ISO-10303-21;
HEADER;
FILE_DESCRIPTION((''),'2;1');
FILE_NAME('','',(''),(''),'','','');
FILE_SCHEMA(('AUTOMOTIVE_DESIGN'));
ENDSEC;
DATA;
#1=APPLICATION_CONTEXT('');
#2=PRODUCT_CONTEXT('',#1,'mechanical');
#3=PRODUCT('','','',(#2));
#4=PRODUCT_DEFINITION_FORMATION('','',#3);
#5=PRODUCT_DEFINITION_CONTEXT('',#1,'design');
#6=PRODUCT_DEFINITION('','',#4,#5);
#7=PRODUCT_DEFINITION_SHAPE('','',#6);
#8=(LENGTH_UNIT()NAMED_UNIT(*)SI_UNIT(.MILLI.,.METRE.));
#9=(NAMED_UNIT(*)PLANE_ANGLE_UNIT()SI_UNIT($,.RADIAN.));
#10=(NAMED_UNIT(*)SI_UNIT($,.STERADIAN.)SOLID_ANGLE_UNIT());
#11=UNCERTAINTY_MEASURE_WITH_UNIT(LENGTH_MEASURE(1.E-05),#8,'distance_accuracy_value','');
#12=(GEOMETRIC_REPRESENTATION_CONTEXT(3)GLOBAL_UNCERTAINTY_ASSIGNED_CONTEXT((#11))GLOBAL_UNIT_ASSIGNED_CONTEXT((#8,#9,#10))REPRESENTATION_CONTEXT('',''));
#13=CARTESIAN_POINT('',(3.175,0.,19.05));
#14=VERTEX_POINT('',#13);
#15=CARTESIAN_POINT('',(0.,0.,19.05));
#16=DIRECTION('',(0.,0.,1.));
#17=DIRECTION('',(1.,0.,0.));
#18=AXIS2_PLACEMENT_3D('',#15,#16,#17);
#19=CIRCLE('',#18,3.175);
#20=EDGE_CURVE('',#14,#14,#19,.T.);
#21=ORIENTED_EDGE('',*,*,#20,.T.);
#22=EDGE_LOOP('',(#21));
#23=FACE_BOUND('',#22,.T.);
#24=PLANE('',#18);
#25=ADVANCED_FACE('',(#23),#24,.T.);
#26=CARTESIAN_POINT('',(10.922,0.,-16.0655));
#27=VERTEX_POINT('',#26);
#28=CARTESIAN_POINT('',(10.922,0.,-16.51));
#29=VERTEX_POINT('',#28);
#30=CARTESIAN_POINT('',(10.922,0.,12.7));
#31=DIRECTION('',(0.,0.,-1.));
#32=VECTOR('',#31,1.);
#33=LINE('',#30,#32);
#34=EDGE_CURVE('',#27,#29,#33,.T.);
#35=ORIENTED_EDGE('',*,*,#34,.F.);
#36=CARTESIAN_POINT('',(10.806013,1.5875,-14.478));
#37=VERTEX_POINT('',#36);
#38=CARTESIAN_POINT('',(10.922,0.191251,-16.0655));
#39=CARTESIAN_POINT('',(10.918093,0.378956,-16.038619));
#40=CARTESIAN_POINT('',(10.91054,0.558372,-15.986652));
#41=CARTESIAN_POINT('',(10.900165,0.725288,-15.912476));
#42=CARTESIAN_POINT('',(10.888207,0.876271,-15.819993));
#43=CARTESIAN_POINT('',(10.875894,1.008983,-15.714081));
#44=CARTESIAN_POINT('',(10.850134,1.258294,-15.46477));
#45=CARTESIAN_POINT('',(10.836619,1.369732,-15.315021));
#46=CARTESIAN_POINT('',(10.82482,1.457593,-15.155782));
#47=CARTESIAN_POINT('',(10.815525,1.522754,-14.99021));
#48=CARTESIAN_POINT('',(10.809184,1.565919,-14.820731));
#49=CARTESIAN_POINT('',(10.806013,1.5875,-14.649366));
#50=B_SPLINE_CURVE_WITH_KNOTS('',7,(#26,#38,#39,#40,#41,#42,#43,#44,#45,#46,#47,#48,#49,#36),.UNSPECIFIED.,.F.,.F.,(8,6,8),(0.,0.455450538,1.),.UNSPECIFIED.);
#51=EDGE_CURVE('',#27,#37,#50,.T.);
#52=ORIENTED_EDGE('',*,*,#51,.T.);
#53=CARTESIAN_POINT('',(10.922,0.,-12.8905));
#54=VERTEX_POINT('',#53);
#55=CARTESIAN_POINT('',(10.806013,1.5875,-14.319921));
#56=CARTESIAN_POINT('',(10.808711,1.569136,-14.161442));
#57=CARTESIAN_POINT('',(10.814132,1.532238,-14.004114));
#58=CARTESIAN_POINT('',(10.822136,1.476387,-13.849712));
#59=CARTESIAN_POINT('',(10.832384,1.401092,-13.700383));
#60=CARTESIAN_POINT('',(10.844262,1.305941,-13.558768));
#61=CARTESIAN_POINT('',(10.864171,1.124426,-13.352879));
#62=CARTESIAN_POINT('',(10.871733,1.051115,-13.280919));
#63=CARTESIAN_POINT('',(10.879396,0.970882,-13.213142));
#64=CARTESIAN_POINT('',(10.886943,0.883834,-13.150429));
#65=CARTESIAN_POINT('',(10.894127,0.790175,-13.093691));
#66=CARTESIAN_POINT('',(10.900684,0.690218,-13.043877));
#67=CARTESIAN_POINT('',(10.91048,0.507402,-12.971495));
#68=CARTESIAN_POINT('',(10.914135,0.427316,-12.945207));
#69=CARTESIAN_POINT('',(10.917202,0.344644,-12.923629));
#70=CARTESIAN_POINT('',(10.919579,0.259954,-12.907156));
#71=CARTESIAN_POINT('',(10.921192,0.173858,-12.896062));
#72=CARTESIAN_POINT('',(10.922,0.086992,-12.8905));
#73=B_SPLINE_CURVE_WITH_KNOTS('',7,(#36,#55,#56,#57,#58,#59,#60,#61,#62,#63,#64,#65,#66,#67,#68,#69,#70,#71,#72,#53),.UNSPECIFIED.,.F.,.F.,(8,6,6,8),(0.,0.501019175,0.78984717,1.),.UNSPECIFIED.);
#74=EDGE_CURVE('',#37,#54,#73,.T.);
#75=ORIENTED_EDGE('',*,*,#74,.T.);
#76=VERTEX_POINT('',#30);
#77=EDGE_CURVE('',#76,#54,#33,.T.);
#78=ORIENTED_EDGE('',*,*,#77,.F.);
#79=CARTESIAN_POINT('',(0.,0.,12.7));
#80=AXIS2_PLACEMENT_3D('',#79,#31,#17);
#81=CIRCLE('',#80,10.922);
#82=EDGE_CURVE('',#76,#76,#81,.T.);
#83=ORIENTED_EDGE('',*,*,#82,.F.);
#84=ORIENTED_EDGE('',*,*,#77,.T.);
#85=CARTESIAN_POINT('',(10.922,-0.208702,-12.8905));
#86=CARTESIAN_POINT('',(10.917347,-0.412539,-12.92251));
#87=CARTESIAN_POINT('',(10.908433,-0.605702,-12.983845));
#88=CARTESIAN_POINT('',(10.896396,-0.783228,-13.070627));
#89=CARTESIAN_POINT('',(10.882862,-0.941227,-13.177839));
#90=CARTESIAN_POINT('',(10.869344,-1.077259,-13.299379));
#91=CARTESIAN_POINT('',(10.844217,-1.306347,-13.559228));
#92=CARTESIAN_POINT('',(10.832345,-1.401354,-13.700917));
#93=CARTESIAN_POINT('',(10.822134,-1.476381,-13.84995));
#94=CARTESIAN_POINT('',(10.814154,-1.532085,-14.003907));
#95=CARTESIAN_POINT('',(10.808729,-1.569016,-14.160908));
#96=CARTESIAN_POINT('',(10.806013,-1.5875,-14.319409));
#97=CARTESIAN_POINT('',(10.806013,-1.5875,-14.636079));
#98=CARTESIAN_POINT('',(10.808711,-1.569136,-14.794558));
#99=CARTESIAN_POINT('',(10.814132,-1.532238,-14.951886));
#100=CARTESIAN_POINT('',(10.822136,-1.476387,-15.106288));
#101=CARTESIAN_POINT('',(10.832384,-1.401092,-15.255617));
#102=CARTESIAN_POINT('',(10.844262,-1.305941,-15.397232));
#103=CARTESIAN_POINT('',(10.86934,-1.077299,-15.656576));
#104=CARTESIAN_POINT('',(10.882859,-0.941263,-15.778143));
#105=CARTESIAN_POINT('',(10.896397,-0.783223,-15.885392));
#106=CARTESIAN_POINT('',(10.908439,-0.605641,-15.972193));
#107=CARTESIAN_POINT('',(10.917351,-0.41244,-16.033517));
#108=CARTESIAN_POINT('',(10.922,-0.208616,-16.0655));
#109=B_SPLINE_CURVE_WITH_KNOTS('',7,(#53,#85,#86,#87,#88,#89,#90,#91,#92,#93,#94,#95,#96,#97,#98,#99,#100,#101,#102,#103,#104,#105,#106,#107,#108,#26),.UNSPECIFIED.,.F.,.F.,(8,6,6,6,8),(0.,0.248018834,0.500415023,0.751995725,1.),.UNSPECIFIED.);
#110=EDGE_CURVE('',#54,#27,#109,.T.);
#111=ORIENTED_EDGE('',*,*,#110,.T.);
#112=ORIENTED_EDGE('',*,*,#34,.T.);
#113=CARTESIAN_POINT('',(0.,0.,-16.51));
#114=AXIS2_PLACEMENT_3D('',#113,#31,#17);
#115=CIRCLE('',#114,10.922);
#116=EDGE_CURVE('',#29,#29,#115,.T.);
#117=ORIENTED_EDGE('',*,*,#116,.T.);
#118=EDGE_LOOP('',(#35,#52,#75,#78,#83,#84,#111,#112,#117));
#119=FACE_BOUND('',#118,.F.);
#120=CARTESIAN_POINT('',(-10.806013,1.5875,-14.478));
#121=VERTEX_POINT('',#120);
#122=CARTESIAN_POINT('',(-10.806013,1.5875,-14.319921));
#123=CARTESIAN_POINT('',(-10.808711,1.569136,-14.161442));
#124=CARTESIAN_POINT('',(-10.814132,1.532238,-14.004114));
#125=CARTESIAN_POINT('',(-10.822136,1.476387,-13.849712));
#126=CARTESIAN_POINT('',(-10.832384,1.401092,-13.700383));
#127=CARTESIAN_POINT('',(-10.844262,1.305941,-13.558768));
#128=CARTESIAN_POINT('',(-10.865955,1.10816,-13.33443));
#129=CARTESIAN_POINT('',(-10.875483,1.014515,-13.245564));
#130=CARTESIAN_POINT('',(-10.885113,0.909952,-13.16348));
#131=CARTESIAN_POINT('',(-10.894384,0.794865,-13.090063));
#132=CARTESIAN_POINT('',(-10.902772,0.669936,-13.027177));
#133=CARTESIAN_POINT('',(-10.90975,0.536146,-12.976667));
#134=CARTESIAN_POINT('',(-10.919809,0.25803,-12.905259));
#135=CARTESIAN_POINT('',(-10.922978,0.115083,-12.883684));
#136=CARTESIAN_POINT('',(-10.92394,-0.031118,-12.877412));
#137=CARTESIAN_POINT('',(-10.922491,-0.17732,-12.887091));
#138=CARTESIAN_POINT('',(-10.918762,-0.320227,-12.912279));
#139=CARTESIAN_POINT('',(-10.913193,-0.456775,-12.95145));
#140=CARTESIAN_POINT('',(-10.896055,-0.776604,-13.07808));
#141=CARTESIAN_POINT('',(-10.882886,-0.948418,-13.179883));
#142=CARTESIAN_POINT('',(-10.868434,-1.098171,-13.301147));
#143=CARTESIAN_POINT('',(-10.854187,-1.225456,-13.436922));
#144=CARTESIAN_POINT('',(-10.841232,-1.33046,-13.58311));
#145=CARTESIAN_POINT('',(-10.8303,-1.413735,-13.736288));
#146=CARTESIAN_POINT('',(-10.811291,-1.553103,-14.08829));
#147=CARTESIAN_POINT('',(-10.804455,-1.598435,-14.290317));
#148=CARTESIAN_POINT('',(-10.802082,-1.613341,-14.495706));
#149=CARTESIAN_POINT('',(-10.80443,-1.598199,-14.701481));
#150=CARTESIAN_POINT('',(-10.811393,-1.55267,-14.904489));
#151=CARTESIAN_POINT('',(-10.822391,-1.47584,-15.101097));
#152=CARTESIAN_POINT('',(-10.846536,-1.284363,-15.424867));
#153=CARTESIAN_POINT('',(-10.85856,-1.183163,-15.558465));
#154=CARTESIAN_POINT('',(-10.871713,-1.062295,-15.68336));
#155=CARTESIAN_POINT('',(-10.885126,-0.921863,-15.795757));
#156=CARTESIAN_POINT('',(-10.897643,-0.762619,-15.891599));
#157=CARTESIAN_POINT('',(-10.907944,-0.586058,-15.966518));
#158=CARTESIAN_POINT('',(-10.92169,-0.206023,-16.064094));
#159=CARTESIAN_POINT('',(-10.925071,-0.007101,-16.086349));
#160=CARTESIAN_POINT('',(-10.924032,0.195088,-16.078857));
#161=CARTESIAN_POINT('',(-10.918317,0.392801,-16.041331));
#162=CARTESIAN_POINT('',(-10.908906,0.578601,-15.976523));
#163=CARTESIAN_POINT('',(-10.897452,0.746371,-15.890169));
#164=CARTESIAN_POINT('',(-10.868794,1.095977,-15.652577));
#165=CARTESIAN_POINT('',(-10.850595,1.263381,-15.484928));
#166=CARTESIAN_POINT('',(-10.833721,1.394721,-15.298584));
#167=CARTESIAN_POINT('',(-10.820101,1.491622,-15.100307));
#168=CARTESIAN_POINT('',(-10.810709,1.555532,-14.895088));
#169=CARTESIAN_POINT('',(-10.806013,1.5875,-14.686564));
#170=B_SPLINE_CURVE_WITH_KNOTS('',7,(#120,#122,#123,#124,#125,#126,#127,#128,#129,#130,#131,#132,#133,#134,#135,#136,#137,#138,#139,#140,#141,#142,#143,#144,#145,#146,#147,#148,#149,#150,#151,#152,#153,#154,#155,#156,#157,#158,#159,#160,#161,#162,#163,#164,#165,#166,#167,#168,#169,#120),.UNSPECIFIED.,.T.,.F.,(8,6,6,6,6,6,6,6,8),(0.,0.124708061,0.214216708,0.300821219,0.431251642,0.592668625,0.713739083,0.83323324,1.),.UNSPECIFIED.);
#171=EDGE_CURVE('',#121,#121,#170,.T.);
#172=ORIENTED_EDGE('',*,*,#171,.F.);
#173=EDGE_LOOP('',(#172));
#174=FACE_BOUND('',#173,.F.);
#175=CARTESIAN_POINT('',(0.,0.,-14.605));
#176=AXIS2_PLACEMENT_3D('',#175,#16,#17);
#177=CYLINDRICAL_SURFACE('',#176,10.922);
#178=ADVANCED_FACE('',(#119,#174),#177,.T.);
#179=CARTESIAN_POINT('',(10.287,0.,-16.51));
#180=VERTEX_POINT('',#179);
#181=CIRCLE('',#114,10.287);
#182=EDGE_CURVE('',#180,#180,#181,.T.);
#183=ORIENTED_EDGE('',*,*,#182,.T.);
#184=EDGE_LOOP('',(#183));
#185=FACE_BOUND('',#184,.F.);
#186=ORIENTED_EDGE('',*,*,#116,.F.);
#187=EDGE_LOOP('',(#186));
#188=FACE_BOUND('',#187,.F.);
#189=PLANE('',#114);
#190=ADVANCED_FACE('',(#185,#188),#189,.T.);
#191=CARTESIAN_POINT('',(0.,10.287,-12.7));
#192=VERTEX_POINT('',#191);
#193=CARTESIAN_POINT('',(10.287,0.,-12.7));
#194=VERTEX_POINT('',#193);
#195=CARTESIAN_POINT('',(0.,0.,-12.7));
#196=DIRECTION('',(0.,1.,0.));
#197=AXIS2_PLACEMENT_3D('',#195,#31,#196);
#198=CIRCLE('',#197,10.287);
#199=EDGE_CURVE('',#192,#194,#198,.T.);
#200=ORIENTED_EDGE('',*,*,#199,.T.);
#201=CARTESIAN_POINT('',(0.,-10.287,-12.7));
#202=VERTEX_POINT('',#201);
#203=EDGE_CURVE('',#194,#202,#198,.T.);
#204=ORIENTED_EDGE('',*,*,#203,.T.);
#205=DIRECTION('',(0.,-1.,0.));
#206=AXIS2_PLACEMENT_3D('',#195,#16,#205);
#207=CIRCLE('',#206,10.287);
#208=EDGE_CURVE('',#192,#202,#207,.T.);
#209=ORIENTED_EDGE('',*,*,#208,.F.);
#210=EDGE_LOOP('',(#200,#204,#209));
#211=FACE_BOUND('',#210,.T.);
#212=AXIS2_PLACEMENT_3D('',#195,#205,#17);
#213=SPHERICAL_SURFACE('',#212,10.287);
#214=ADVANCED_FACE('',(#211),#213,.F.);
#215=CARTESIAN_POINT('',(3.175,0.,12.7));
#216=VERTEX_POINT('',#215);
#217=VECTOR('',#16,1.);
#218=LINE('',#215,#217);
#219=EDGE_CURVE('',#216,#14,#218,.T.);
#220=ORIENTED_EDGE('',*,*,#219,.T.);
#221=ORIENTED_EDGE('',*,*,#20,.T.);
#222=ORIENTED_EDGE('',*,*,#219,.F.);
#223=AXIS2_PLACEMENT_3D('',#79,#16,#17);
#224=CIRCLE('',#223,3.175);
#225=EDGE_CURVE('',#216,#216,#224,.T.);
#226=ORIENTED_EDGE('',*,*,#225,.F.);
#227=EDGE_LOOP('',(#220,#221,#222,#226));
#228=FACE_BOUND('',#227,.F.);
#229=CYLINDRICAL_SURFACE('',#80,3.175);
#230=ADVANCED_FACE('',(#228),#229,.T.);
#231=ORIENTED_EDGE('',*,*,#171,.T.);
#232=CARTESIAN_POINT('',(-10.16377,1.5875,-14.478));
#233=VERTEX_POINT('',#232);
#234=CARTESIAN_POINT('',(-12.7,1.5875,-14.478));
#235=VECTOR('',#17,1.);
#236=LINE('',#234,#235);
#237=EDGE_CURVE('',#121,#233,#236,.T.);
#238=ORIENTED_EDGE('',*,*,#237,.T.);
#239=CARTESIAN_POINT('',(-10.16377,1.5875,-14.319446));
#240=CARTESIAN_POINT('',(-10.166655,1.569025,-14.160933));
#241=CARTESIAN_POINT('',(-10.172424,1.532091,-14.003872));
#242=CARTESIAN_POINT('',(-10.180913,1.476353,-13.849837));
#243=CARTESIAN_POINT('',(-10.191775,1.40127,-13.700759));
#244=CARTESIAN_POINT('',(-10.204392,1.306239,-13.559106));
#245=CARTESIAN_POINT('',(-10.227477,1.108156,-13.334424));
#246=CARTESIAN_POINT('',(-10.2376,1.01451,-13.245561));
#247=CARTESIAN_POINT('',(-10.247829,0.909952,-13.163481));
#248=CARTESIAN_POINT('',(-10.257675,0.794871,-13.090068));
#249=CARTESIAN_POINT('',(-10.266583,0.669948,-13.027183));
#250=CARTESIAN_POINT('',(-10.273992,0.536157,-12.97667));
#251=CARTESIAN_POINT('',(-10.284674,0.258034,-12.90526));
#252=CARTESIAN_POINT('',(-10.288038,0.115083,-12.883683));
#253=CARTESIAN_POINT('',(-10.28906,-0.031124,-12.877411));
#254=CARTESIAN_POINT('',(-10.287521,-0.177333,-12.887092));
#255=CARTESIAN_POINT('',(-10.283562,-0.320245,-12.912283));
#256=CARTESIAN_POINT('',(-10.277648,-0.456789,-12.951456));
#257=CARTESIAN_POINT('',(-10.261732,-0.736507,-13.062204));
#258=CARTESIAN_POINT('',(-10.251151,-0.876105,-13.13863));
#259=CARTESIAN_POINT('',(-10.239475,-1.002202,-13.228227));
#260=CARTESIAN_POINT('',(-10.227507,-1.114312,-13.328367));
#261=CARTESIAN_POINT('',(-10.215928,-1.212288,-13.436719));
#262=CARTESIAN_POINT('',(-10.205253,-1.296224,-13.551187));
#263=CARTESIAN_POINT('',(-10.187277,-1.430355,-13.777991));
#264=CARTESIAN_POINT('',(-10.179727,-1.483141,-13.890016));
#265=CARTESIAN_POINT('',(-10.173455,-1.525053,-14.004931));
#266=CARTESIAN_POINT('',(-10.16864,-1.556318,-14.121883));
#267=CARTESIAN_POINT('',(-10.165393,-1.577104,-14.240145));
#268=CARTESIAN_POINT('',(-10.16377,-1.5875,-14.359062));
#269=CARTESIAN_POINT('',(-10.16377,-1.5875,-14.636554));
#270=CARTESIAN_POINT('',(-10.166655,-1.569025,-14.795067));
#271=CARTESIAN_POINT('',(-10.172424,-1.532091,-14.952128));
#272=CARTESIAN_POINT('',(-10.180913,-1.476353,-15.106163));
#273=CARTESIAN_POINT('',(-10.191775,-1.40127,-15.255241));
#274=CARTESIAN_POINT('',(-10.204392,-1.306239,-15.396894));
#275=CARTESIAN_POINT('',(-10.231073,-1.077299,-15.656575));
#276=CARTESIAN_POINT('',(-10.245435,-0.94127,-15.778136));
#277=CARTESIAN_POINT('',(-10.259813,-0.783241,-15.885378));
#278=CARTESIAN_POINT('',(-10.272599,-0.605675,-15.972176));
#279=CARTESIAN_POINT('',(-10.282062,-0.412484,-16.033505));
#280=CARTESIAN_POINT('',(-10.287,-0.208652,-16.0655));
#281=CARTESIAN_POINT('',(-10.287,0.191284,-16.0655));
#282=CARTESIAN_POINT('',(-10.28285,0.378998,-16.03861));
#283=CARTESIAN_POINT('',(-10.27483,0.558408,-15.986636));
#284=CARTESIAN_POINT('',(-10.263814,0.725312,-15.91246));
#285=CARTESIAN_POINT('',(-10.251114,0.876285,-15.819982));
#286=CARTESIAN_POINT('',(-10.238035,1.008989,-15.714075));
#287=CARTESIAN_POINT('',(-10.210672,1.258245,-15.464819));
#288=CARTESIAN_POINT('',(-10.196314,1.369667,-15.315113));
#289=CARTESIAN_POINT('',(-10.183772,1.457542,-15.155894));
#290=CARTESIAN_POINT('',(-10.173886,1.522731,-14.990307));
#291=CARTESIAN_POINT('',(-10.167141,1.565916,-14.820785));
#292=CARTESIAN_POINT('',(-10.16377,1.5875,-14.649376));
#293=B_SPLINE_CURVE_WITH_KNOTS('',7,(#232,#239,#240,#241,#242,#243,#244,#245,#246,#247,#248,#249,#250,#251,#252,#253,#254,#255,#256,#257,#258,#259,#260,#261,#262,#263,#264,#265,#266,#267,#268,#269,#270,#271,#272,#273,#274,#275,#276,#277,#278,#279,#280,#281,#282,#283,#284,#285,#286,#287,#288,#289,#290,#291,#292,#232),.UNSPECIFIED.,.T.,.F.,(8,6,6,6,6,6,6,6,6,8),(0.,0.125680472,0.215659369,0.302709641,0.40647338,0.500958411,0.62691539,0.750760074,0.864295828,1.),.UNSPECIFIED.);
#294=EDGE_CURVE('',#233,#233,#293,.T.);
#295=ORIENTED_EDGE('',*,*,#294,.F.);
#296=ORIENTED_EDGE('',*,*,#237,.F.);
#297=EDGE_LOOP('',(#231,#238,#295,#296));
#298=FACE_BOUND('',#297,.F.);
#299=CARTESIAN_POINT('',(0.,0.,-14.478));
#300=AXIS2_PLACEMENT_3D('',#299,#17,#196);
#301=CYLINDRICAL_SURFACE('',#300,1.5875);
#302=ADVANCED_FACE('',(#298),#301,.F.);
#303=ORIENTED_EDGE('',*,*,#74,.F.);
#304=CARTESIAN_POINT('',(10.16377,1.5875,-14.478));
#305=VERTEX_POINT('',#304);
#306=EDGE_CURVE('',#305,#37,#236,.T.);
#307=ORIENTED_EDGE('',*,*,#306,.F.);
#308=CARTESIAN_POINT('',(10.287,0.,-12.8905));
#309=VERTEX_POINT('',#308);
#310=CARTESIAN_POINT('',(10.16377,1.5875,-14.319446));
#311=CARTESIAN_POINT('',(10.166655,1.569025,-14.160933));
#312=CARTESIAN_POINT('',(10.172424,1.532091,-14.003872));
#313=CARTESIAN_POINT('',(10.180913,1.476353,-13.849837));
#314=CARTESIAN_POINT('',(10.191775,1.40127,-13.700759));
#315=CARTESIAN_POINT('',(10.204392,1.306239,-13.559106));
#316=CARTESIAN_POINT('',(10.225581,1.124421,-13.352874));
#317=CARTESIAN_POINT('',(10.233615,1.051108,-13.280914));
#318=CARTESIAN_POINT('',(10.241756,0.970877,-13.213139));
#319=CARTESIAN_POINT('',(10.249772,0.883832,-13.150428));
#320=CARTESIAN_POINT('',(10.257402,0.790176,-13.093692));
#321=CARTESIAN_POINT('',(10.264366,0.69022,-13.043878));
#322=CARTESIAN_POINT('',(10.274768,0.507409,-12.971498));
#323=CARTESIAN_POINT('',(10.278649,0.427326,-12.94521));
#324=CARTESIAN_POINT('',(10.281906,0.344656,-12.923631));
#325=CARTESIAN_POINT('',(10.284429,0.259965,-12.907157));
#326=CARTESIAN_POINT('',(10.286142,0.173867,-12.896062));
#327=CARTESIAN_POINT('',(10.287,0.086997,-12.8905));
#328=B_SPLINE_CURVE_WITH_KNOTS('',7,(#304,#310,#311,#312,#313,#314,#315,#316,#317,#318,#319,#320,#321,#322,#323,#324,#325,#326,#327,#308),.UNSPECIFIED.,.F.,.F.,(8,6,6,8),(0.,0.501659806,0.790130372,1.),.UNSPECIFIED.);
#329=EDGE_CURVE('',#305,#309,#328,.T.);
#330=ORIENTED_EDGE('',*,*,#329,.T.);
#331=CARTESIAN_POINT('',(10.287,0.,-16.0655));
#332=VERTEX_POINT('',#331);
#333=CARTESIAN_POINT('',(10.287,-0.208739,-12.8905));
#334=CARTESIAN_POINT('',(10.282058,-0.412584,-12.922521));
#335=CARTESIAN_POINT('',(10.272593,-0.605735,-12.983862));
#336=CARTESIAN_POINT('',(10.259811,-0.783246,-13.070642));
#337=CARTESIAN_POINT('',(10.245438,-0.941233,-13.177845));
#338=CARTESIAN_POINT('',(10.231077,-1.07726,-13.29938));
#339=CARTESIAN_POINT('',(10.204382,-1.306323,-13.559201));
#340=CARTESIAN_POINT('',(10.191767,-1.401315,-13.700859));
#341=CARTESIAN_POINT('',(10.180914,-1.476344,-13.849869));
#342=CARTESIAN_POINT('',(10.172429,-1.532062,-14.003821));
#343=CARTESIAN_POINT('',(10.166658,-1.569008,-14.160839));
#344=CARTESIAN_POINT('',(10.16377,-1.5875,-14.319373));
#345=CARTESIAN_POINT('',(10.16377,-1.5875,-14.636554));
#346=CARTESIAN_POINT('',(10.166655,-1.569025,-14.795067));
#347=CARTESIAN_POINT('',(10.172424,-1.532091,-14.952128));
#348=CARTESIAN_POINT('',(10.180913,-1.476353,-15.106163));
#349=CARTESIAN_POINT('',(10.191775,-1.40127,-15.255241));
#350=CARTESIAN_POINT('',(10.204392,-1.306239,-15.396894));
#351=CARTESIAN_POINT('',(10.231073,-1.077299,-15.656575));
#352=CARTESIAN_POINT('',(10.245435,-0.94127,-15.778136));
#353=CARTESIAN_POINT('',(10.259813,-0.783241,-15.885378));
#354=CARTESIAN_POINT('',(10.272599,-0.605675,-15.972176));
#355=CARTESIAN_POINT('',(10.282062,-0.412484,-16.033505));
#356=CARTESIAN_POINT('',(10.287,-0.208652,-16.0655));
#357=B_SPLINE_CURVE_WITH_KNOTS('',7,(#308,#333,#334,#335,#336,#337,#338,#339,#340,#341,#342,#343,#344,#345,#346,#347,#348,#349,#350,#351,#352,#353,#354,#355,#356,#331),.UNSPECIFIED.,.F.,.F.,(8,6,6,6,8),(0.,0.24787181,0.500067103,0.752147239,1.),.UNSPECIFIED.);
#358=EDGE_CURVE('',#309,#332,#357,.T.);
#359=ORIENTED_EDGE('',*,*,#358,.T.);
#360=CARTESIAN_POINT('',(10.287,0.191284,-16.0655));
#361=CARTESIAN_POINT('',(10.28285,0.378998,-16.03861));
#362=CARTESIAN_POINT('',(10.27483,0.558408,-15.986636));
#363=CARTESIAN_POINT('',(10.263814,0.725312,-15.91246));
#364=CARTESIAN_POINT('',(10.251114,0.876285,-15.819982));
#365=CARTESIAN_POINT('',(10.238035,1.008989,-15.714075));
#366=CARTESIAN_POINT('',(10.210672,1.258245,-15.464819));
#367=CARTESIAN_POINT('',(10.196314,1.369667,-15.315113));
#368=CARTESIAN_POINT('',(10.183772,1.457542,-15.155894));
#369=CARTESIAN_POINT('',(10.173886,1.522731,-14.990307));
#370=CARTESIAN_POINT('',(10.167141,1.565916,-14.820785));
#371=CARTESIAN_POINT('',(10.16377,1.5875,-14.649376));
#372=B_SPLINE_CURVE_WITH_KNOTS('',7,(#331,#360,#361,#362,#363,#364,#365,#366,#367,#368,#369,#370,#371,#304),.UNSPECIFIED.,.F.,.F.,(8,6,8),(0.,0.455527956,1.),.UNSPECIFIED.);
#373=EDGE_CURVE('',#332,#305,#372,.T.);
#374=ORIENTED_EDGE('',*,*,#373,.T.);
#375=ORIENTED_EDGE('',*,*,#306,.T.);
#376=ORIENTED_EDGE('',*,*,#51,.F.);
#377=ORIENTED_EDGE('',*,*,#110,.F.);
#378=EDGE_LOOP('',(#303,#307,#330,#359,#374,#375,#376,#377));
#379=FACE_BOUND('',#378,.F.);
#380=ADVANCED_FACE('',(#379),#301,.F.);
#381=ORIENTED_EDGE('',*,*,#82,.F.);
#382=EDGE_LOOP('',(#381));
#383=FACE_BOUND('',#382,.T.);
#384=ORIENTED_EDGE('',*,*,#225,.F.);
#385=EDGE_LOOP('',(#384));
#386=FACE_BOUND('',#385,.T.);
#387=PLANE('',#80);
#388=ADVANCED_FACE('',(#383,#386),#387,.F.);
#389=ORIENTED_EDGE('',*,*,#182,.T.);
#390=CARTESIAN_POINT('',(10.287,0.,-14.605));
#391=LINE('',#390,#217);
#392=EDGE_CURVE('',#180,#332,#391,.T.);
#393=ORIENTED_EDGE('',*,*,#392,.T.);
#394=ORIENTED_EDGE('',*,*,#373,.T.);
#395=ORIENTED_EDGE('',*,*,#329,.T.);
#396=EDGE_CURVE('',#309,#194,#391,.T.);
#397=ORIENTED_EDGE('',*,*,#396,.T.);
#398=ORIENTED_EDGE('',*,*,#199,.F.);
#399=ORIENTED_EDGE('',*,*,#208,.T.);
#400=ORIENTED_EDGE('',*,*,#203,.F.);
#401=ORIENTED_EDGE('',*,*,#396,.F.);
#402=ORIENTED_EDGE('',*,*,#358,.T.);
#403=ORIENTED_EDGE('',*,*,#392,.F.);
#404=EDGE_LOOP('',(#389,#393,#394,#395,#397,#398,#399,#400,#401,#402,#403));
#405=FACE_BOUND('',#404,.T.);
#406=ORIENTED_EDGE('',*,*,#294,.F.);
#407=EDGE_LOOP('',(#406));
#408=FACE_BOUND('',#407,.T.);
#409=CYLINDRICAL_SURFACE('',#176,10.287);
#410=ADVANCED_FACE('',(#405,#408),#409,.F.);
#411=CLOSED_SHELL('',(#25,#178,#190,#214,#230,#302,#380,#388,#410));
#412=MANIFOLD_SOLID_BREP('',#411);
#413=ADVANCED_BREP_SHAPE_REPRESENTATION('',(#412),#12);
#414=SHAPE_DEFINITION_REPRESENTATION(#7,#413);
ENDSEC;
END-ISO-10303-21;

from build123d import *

# Parameters (mm, degrees)
F0_W     = 10.922
F0_H     = 25.4
F4_W     = 0.635
F4_H     = 3.81
F6_R     = 1.5875
F7_DEPTH = 12.7
F8_R     = 3.175
F9_DEPTH = 6.35


with BuildPart() as f1:
    # F0 (on Front) → F1 (revolve)
    with BuildSketch(Plane.XZ):
        with Locations((5.461, 0)):
            Rectangle(F0_W, F0_H)
    revolve(axis=Axis((0, 0, 0), (0, 0, -1)))

    # F2 (on face) → F3 (revolve, cut)
    with BuildSketch(Plane(origin=(0, 0, -12.7), x_dir=(1, 0, 0), z_dir=(0, 0, -1))):
        with BuildLine():
            Line((0, 10.287), (0, -10.287))
            ThreePointArc((0, -10.287), (10.287, 0), (0, 10.287))
        make_face()
    revolve(axis=Axis((0, 0, -12.7), (0, 1, 0)), mode=Mode.SUBTRACT)

    # F4 (on Front) → F5 (revolve)
    with BuildSketch(Plane.XZ):
        with Locations((10.6045, -14.605)):
            Rectangle(F4_W, F4_H)
    revolve(axis=Axis((0, 0, -6.3285445794), (0, 0, -1)))

    # F6 (on Right) → F7 (cut, symmetric)
    with BuildSketch(Plane.YZ):
        with Locations((0, -14.478)):
            Circle(F6_R)
    extrude(amount=F7_DEPTH, both=True, mode=Mode.SUBTRACT)

    # F8 (on face) → F9 (join)
    with BuildSketch(Plane.XY.offset(12.7)):
        Circle(F8_R)
    extrude(amount=F9_DEPTH)


solid = f1.part
